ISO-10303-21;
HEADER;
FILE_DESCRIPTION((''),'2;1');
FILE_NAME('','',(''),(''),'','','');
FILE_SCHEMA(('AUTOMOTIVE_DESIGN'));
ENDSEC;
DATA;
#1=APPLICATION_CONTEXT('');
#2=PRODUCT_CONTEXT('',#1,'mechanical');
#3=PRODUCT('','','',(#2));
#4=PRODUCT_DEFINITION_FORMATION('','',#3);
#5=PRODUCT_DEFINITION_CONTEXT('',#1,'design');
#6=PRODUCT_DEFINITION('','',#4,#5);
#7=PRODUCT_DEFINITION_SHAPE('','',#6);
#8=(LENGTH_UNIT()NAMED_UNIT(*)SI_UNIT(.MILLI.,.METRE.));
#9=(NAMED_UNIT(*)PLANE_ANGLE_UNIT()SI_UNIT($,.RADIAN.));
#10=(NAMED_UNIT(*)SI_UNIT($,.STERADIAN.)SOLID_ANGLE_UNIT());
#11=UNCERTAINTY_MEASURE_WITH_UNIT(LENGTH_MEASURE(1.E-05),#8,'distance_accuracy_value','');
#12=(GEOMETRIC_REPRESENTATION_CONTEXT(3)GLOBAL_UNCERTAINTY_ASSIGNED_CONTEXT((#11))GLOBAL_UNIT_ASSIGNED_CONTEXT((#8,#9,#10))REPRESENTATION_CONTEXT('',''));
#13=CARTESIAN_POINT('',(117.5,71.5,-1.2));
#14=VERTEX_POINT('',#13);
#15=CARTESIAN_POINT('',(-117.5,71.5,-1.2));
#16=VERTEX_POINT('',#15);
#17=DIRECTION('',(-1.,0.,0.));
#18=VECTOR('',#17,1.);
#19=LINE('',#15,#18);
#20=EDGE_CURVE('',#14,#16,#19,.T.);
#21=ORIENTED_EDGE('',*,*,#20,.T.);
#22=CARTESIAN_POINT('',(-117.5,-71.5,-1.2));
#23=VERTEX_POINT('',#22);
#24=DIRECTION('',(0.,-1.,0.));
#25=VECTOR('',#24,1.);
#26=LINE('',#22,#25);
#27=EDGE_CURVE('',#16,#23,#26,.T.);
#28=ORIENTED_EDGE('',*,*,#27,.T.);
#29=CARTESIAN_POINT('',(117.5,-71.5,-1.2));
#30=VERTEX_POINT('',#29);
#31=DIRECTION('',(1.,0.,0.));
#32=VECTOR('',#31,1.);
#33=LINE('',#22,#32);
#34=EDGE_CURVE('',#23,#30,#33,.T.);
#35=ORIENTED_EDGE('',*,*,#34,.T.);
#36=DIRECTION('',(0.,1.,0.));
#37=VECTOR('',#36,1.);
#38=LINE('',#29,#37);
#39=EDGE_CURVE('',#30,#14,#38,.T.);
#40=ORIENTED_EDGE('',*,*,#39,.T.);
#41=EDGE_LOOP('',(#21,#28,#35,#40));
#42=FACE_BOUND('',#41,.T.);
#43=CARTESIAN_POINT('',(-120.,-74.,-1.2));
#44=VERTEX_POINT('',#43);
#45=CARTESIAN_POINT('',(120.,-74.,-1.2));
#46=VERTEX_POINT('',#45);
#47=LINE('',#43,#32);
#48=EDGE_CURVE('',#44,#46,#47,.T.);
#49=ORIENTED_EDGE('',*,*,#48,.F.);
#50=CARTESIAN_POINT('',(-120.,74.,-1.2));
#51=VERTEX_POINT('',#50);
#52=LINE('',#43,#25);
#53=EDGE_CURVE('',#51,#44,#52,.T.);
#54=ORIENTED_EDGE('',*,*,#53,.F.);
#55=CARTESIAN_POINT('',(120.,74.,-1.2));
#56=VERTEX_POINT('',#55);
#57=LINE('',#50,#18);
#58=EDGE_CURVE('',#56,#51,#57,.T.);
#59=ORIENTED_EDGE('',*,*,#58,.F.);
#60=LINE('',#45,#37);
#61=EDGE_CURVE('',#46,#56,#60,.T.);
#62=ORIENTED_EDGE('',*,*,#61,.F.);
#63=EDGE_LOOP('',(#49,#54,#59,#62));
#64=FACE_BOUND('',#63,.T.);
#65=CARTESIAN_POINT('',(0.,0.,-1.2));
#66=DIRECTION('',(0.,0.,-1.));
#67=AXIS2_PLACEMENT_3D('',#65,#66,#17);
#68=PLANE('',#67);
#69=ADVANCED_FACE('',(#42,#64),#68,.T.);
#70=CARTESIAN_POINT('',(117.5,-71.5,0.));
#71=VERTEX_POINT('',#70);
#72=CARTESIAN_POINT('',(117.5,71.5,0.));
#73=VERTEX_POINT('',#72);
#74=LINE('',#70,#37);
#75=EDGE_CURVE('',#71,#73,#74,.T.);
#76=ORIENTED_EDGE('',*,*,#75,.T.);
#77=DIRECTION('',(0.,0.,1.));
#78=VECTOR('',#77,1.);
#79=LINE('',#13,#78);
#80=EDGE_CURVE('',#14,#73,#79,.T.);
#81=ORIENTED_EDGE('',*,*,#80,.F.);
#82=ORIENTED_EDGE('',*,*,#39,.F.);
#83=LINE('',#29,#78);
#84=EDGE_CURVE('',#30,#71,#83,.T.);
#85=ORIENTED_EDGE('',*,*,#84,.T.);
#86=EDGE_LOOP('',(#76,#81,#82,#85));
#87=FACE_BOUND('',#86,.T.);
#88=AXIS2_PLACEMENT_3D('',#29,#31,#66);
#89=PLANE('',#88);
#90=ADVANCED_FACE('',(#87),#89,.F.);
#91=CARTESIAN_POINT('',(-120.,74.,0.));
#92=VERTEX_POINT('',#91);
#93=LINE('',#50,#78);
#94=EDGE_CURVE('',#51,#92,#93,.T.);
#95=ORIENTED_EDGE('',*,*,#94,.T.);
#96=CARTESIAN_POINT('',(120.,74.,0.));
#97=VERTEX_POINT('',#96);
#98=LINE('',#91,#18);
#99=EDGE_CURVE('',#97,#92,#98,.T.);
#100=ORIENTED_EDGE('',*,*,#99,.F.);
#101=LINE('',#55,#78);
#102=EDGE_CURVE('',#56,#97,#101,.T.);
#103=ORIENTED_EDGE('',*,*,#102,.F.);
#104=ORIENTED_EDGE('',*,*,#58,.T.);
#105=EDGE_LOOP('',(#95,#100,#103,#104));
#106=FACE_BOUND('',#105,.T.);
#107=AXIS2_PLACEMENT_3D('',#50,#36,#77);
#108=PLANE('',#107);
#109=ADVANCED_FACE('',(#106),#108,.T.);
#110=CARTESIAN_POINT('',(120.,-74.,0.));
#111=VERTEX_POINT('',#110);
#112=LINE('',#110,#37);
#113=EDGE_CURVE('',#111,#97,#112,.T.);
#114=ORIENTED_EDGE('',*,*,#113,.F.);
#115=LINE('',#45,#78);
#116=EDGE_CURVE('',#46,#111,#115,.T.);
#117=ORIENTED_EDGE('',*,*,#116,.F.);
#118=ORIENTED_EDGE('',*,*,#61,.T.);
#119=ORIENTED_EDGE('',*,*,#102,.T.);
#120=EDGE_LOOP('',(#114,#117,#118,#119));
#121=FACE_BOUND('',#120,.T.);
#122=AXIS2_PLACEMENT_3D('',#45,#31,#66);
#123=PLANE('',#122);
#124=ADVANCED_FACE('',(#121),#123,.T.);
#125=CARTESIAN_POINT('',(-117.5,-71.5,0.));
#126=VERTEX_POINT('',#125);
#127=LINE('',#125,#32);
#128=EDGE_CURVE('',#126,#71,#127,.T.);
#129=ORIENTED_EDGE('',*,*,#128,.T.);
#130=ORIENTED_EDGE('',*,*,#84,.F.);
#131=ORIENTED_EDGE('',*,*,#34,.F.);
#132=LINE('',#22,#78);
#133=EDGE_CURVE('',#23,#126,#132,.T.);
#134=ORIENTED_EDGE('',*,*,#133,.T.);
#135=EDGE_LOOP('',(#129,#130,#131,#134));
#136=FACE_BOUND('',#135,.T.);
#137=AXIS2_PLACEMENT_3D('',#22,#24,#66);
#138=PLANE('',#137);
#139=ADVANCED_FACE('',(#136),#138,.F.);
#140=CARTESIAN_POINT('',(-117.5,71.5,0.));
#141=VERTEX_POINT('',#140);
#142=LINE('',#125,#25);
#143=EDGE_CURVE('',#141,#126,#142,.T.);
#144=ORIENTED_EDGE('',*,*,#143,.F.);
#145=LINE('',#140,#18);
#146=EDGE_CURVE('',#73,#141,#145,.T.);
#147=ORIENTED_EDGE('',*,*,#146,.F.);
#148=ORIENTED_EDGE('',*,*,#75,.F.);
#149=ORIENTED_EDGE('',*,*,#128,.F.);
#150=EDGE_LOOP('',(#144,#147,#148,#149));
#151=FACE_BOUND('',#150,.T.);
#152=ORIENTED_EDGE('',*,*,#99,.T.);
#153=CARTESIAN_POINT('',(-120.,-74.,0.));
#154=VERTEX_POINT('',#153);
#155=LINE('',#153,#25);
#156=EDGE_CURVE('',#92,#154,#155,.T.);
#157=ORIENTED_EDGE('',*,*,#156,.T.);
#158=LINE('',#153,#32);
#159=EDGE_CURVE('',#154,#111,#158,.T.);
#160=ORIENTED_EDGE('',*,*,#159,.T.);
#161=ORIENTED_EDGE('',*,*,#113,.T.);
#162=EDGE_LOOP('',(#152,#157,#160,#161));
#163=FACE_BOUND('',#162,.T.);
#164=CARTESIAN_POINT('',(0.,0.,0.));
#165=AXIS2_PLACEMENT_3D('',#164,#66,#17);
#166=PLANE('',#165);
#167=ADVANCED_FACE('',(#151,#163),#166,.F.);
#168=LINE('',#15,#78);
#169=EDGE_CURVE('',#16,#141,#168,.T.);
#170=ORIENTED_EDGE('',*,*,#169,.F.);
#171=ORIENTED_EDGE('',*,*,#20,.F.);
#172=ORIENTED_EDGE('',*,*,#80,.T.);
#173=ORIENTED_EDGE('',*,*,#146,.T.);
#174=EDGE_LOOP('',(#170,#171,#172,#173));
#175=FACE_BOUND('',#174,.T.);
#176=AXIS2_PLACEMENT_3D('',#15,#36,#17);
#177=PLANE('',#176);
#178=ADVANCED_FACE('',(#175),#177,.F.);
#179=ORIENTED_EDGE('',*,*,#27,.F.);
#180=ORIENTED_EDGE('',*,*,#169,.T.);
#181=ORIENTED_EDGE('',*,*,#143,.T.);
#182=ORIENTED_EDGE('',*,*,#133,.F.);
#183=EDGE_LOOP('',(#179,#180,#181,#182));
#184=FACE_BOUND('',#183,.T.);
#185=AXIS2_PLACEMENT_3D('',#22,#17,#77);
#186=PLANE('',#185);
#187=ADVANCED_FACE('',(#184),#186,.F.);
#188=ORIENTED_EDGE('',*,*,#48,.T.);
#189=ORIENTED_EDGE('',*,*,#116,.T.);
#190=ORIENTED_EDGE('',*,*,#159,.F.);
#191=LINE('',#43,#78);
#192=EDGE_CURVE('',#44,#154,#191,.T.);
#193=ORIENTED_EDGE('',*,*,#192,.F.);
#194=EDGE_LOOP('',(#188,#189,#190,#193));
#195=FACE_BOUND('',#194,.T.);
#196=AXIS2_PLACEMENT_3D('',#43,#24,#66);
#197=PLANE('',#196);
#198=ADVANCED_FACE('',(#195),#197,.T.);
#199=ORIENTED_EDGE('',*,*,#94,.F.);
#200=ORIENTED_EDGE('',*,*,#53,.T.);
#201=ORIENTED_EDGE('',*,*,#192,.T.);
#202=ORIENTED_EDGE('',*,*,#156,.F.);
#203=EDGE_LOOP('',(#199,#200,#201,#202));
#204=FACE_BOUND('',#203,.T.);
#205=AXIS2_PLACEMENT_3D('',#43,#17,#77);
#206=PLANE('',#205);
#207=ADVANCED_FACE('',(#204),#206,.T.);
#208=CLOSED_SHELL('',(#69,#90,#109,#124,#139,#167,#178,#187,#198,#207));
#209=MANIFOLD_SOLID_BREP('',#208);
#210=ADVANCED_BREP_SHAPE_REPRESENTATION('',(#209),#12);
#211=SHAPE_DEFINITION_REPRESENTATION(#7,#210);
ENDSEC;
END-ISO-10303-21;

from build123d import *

# Parameters (mm, degrees)
SKETCH1_W           = 240
SKETCH1_H           = 148
SKETCH1_W_2         = 235
SKETCH1_H_2         = 143
BOSS_EXTRUDE1_DEPTH = 1.2


with BuildPart() as part:
    # Sketch1 → Boss-Extrude1 (new body)
    with BuildSketch(Plane.XY):
        Rectangle(SKETCH1_W, SKETCH1_H)
        Rectangle(SKETCH1_W_2, SKETCH1_H_2, mode=Mode.SUBTRACT)
    extrude(amount=-BOSS_EXTRUDE1_DEPTH)


solid = part.part
